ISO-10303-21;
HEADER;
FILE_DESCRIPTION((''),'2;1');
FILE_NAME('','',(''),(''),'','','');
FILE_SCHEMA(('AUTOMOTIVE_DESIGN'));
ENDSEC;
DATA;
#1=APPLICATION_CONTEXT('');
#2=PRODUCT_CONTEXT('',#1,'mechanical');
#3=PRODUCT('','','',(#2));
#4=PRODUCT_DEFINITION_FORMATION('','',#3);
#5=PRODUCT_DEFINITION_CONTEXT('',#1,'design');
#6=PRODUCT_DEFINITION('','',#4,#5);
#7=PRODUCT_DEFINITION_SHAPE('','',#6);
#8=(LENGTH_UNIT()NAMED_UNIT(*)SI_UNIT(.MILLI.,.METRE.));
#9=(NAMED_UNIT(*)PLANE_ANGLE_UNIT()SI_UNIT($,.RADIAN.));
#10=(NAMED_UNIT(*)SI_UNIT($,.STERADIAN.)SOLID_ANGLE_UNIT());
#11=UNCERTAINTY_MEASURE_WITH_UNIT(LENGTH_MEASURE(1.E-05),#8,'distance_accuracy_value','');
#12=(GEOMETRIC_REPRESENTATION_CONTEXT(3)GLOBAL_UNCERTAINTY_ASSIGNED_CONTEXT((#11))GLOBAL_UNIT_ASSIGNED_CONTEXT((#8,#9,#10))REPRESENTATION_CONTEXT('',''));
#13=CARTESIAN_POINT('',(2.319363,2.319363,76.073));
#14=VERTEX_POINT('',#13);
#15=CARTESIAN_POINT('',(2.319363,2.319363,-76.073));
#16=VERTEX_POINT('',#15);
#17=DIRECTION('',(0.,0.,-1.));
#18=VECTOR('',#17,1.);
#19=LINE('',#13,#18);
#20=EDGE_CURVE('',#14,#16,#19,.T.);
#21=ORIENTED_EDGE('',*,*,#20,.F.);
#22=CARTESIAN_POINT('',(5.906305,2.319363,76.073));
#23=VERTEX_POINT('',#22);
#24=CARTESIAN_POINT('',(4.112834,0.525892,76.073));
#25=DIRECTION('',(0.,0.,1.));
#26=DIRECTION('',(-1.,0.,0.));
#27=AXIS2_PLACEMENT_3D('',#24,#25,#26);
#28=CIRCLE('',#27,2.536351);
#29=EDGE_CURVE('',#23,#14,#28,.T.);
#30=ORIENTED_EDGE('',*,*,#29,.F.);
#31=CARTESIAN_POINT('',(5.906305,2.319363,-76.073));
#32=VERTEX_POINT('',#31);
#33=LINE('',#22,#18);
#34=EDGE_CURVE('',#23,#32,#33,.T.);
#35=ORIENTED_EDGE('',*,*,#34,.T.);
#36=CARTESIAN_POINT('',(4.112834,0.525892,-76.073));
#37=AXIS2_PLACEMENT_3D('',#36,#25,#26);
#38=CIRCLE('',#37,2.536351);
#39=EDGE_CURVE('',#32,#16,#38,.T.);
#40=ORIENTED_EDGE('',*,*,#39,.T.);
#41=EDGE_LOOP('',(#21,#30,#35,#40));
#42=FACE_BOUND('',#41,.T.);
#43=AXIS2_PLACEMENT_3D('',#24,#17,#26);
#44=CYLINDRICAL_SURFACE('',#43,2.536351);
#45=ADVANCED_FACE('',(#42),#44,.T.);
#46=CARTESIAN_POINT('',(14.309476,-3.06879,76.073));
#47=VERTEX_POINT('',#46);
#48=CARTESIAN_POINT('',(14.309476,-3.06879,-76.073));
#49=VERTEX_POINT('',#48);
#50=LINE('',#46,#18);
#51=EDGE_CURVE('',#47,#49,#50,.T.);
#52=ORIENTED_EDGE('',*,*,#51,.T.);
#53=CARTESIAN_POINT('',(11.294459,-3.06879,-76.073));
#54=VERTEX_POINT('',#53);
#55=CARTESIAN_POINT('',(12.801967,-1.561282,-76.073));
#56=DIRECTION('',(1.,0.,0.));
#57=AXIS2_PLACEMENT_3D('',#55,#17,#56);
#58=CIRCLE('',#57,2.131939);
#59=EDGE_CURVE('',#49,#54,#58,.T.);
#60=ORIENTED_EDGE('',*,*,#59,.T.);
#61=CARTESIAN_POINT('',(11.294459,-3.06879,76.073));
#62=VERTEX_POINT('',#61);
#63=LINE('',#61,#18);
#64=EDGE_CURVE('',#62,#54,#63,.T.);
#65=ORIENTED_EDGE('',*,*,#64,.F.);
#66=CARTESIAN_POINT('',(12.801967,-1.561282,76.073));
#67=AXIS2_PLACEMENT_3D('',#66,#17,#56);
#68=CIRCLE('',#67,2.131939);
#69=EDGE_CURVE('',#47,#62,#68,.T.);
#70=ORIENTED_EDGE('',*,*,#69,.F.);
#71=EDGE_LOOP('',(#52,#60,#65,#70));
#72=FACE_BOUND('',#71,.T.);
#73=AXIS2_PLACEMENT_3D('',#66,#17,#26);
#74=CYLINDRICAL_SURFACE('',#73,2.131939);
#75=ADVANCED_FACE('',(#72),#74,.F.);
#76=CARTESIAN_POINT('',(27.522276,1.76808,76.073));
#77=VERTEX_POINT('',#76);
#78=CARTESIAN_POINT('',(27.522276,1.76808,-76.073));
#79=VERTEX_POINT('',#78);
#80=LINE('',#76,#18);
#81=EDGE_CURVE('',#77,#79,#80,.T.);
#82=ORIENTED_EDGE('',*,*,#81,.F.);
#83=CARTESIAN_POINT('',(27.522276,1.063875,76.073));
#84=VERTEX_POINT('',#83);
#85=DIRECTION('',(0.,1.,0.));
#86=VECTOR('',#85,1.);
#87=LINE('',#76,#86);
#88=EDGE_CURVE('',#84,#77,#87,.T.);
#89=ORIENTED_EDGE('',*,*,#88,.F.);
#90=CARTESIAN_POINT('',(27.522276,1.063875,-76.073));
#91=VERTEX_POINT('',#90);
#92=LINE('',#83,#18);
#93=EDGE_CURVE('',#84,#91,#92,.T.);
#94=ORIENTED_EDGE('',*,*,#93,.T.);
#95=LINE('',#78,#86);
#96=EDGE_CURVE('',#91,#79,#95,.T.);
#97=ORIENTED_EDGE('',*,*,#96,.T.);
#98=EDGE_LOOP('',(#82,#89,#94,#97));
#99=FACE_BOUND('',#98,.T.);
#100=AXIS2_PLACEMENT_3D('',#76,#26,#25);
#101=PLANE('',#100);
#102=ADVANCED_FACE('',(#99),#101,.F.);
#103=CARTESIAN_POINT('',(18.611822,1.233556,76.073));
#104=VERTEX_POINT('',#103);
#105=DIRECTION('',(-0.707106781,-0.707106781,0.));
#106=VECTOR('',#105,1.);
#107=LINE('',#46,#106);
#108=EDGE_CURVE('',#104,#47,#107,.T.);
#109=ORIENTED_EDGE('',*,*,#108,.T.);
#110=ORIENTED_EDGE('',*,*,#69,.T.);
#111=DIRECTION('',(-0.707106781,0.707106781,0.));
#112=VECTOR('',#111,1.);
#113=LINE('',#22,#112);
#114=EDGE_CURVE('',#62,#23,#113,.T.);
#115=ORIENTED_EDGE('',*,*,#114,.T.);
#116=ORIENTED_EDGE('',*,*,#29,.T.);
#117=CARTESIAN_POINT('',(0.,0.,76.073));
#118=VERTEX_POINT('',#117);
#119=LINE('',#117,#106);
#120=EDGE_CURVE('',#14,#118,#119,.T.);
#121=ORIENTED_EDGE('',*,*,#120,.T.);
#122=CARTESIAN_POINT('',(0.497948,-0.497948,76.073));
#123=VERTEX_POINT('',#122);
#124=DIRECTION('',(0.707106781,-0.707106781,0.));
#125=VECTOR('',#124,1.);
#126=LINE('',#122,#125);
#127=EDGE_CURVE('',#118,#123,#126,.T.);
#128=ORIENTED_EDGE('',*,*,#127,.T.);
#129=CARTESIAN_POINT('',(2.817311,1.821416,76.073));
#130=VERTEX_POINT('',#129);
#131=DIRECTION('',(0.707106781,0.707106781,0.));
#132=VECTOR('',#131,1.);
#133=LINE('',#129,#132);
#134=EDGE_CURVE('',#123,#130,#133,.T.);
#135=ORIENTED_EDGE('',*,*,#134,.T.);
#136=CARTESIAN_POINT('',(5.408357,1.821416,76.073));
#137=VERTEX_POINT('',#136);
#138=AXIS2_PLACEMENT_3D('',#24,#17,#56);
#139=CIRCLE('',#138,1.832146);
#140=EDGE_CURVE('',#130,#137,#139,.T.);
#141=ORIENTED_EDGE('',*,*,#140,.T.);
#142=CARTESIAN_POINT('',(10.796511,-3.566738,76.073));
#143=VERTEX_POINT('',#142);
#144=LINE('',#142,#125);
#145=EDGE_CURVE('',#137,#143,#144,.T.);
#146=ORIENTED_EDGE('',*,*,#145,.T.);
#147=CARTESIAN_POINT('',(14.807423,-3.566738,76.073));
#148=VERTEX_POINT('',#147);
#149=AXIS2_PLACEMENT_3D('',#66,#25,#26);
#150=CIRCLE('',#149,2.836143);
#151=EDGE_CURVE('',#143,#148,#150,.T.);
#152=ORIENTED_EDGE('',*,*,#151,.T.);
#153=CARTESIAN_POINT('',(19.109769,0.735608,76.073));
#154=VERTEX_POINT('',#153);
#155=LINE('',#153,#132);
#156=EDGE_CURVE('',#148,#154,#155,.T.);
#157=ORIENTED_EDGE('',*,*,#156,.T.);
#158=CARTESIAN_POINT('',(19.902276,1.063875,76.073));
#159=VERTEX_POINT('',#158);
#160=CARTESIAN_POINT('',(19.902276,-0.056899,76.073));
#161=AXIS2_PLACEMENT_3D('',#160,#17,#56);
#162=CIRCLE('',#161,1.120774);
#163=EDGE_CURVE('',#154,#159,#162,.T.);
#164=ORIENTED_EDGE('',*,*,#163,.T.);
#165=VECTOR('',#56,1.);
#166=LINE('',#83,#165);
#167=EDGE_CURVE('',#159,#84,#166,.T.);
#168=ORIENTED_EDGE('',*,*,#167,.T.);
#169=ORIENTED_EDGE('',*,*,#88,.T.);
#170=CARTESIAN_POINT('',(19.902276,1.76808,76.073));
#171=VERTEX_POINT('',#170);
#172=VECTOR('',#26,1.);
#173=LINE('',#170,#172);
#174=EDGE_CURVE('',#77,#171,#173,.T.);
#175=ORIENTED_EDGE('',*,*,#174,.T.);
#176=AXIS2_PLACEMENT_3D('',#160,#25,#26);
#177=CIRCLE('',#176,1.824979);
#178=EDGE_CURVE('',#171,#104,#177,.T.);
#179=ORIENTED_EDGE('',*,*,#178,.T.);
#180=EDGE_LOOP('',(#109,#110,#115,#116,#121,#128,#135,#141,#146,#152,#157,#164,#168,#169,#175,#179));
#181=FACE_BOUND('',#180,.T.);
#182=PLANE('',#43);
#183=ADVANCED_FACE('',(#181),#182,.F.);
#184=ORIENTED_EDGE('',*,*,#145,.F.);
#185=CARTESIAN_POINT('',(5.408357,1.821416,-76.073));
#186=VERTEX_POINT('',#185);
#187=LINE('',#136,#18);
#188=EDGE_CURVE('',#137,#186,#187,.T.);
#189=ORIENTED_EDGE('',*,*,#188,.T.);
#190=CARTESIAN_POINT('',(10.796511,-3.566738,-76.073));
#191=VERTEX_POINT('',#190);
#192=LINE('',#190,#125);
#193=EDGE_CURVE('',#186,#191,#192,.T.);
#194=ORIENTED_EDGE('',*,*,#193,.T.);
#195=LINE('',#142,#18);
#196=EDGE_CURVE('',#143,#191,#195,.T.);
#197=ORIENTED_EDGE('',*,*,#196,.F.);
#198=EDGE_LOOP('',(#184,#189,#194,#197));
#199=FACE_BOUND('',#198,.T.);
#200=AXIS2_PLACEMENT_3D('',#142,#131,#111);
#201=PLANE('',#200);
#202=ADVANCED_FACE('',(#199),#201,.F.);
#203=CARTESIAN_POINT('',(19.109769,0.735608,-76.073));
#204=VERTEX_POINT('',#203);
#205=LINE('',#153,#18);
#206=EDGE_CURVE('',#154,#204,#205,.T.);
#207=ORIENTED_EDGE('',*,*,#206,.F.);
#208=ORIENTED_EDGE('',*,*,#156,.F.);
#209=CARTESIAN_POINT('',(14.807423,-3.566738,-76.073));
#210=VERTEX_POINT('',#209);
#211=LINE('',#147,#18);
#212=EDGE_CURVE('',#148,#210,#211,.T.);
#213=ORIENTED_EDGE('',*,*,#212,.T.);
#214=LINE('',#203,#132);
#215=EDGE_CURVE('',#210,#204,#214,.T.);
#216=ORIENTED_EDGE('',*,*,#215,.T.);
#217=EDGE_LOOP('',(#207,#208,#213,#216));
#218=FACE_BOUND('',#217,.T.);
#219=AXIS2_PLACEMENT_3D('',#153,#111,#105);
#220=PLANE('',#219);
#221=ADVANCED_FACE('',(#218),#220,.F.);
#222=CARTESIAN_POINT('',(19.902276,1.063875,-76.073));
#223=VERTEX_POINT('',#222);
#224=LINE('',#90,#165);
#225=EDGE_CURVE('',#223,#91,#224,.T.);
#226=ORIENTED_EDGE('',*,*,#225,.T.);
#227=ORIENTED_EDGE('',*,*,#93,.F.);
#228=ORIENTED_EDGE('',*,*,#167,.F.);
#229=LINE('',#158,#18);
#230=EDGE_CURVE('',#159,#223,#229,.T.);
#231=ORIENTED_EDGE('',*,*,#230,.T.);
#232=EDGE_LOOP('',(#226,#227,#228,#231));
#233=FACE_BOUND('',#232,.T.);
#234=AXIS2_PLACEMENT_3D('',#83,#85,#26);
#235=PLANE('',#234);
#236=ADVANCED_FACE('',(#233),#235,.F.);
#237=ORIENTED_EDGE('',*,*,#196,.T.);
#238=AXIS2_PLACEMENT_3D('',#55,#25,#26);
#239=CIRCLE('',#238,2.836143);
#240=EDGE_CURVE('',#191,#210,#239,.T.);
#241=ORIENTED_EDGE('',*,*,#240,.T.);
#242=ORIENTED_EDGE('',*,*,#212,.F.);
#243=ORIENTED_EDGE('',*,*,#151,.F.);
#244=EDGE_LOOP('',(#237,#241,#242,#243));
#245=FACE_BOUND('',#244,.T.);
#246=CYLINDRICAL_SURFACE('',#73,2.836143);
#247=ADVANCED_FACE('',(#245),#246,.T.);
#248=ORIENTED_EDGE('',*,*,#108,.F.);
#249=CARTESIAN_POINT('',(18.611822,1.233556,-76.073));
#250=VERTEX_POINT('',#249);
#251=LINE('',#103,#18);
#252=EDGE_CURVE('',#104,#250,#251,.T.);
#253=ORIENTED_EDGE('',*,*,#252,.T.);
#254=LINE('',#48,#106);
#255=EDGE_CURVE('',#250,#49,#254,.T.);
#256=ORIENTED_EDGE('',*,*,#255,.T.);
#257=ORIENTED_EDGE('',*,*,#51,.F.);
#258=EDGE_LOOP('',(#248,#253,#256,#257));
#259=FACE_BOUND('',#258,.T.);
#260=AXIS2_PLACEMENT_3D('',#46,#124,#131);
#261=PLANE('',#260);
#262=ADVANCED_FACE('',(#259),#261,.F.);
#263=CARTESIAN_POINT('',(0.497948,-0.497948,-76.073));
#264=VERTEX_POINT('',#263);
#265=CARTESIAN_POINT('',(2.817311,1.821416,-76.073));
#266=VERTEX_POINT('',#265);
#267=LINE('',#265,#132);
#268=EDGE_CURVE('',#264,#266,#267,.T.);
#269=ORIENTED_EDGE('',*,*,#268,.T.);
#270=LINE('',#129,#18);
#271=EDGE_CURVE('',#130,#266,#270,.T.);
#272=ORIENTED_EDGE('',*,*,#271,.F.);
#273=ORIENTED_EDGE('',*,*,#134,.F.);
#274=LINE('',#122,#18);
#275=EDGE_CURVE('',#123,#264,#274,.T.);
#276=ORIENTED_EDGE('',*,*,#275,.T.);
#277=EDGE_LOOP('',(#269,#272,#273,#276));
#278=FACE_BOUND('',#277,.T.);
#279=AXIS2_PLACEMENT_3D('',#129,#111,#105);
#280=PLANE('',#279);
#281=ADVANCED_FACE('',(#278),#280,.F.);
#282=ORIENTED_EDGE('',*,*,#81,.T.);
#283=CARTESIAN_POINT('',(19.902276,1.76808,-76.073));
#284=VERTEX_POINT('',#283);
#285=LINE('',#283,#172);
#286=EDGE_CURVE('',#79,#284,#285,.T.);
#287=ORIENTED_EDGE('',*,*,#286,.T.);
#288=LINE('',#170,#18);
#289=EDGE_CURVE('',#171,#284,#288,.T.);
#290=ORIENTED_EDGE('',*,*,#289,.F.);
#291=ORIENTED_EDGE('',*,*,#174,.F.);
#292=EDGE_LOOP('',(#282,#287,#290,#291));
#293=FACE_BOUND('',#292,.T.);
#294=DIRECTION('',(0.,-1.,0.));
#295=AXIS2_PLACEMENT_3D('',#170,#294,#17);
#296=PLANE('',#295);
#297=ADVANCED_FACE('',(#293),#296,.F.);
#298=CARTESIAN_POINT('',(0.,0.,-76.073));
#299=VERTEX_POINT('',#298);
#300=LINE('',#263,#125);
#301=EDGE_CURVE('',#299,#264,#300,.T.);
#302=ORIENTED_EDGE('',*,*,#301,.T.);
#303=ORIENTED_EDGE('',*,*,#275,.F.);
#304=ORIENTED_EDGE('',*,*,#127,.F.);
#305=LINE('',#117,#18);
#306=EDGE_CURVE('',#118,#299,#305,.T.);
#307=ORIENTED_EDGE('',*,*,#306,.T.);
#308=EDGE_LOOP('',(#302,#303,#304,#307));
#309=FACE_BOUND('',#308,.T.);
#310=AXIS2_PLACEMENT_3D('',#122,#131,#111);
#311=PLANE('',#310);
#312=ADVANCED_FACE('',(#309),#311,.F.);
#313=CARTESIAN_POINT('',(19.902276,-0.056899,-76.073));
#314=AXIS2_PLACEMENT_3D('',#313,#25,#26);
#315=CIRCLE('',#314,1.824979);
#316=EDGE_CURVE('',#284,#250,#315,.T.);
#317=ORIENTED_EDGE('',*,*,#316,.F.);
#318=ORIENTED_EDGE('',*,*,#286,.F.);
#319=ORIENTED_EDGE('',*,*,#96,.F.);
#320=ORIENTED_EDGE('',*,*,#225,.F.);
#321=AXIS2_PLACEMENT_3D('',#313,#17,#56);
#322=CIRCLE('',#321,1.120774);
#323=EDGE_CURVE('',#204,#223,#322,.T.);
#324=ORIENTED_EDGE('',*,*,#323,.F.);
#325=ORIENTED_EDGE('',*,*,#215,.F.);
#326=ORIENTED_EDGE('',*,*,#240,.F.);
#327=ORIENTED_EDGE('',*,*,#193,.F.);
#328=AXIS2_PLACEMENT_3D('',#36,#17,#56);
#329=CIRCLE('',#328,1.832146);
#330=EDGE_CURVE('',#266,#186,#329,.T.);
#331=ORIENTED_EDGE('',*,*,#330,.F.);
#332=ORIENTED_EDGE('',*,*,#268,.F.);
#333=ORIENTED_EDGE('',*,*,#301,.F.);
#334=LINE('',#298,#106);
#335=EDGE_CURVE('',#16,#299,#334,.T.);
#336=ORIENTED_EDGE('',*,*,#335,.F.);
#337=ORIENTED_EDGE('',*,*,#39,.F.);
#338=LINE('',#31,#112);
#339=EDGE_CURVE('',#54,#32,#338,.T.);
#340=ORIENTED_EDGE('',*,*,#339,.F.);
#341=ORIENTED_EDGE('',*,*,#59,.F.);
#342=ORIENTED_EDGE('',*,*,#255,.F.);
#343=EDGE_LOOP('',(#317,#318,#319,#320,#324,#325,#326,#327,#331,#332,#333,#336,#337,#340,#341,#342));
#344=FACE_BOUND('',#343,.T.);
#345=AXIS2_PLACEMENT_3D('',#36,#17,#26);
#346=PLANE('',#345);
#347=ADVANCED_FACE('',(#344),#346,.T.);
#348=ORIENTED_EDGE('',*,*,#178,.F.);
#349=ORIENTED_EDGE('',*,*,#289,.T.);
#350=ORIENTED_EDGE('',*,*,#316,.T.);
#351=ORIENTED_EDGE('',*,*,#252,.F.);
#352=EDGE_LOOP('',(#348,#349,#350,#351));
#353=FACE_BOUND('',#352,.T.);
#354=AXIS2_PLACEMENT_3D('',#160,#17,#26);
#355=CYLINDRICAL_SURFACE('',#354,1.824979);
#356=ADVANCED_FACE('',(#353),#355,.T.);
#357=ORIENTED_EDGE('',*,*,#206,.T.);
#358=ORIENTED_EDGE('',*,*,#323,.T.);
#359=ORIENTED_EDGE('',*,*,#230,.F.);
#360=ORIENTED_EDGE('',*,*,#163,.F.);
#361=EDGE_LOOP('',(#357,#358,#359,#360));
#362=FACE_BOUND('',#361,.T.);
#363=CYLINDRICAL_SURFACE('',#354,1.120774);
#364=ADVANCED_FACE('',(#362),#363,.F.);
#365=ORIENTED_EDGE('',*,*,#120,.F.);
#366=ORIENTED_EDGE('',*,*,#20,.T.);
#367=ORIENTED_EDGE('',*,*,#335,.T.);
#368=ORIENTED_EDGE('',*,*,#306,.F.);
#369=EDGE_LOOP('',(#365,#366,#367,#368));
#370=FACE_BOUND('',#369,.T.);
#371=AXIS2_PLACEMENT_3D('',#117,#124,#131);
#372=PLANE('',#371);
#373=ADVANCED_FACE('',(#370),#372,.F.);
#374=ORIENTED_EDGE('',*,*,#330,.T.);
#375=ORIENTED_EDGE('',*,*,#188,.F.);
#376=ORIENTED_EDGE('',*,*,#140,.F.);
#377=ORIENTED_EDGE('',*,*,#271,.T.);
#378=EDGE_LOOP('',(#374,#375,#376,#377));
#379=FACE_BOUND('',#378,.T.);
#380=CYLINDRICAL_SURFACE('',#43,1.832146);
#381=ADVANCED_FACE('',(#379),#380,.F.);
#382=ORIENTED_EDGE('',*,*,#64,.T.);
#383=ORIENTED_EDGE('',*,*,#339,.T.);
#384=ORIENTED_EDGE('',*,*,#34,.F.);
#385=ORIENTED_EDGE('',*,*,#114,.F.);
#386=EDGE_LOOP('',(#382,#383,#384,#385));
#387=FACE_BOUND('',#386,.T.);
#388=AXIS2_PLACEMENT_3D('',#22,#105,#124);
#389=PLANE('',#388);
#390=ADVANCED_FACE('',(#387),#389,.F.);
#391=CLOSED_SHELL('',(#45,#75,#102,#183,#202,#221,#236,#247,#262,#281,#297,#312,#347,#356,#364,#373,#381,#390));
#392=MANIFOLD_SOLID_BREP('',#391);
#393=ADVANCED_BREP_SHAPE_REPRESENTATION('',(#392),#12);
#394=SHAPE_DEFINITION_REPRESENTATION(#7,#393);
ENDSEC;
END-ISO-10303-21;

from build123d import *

# Parameters (mm, degrees)
BOSS_EXTRUDE1_DEPTH = 76.073


with BuildPart() as part:
    # Sketch2 → Boss-Extrude1 (new, symmetric)
    with BuildSketch(Plane.XY):
        with BuildLine():
            Line((0, 0), (2.319363294, 2.319363294))
            ThreePointArc((2.319363294, 2.319363294), (4.112834168, 3.062243254), (5.906305043, 2.319363294))
            Line((5.906305043, 2.319363294), (11.294458716, -3.068790379))
            ThreePointArc((11.294458716, -3.068790379), (12.801967136, -3.693220812), (14.309475557, -3.068790379))
            Line((14.309475557, -3.068790379), (18.611821536, 1.2335556))
            ThreePointArc((18.611821536, 1.2335556), (19.20388726, 1.629161269), (19.902276401, 1.768079507))
            Line((19.902276401, 1.768079507), (27.522276401, 1.768079507))
            Line((27.522276401, 1.768079507), (27.522276401, 1.063874985))
            Line((27.522276401, 1.063874985), (19.902276401, 1.063874985))
            ThreePointArc((19.902276401, 1.063874985), (19.473374664, 0.978561125), (19.109769329, 0.735607807))
            Line((19.109769329, 0.735607807), (14.80742335, -3.566738172))
            ThreePointArc((14.80742335, -3.566738172), (12.801967136, -4.397425334), (10.796510923, -3.566738172))
            Line((10.796510923, -3.566738172), (5.40835725, 1.821415501))
            ThreePointArc((5.40835725, 1.821415501), (4.112834168, 2.358038732), (2.817311086, 1.821415501))
            Line((2.817311086, 1.821415501), (0.497947793, -0.497947793))
            Line((0.497947793, -0.497947793), (0, 0))
        make_face()
    extrude(amount=BOSS_EXTRUDE1_DEPTH, both=True)


solid = part.part
